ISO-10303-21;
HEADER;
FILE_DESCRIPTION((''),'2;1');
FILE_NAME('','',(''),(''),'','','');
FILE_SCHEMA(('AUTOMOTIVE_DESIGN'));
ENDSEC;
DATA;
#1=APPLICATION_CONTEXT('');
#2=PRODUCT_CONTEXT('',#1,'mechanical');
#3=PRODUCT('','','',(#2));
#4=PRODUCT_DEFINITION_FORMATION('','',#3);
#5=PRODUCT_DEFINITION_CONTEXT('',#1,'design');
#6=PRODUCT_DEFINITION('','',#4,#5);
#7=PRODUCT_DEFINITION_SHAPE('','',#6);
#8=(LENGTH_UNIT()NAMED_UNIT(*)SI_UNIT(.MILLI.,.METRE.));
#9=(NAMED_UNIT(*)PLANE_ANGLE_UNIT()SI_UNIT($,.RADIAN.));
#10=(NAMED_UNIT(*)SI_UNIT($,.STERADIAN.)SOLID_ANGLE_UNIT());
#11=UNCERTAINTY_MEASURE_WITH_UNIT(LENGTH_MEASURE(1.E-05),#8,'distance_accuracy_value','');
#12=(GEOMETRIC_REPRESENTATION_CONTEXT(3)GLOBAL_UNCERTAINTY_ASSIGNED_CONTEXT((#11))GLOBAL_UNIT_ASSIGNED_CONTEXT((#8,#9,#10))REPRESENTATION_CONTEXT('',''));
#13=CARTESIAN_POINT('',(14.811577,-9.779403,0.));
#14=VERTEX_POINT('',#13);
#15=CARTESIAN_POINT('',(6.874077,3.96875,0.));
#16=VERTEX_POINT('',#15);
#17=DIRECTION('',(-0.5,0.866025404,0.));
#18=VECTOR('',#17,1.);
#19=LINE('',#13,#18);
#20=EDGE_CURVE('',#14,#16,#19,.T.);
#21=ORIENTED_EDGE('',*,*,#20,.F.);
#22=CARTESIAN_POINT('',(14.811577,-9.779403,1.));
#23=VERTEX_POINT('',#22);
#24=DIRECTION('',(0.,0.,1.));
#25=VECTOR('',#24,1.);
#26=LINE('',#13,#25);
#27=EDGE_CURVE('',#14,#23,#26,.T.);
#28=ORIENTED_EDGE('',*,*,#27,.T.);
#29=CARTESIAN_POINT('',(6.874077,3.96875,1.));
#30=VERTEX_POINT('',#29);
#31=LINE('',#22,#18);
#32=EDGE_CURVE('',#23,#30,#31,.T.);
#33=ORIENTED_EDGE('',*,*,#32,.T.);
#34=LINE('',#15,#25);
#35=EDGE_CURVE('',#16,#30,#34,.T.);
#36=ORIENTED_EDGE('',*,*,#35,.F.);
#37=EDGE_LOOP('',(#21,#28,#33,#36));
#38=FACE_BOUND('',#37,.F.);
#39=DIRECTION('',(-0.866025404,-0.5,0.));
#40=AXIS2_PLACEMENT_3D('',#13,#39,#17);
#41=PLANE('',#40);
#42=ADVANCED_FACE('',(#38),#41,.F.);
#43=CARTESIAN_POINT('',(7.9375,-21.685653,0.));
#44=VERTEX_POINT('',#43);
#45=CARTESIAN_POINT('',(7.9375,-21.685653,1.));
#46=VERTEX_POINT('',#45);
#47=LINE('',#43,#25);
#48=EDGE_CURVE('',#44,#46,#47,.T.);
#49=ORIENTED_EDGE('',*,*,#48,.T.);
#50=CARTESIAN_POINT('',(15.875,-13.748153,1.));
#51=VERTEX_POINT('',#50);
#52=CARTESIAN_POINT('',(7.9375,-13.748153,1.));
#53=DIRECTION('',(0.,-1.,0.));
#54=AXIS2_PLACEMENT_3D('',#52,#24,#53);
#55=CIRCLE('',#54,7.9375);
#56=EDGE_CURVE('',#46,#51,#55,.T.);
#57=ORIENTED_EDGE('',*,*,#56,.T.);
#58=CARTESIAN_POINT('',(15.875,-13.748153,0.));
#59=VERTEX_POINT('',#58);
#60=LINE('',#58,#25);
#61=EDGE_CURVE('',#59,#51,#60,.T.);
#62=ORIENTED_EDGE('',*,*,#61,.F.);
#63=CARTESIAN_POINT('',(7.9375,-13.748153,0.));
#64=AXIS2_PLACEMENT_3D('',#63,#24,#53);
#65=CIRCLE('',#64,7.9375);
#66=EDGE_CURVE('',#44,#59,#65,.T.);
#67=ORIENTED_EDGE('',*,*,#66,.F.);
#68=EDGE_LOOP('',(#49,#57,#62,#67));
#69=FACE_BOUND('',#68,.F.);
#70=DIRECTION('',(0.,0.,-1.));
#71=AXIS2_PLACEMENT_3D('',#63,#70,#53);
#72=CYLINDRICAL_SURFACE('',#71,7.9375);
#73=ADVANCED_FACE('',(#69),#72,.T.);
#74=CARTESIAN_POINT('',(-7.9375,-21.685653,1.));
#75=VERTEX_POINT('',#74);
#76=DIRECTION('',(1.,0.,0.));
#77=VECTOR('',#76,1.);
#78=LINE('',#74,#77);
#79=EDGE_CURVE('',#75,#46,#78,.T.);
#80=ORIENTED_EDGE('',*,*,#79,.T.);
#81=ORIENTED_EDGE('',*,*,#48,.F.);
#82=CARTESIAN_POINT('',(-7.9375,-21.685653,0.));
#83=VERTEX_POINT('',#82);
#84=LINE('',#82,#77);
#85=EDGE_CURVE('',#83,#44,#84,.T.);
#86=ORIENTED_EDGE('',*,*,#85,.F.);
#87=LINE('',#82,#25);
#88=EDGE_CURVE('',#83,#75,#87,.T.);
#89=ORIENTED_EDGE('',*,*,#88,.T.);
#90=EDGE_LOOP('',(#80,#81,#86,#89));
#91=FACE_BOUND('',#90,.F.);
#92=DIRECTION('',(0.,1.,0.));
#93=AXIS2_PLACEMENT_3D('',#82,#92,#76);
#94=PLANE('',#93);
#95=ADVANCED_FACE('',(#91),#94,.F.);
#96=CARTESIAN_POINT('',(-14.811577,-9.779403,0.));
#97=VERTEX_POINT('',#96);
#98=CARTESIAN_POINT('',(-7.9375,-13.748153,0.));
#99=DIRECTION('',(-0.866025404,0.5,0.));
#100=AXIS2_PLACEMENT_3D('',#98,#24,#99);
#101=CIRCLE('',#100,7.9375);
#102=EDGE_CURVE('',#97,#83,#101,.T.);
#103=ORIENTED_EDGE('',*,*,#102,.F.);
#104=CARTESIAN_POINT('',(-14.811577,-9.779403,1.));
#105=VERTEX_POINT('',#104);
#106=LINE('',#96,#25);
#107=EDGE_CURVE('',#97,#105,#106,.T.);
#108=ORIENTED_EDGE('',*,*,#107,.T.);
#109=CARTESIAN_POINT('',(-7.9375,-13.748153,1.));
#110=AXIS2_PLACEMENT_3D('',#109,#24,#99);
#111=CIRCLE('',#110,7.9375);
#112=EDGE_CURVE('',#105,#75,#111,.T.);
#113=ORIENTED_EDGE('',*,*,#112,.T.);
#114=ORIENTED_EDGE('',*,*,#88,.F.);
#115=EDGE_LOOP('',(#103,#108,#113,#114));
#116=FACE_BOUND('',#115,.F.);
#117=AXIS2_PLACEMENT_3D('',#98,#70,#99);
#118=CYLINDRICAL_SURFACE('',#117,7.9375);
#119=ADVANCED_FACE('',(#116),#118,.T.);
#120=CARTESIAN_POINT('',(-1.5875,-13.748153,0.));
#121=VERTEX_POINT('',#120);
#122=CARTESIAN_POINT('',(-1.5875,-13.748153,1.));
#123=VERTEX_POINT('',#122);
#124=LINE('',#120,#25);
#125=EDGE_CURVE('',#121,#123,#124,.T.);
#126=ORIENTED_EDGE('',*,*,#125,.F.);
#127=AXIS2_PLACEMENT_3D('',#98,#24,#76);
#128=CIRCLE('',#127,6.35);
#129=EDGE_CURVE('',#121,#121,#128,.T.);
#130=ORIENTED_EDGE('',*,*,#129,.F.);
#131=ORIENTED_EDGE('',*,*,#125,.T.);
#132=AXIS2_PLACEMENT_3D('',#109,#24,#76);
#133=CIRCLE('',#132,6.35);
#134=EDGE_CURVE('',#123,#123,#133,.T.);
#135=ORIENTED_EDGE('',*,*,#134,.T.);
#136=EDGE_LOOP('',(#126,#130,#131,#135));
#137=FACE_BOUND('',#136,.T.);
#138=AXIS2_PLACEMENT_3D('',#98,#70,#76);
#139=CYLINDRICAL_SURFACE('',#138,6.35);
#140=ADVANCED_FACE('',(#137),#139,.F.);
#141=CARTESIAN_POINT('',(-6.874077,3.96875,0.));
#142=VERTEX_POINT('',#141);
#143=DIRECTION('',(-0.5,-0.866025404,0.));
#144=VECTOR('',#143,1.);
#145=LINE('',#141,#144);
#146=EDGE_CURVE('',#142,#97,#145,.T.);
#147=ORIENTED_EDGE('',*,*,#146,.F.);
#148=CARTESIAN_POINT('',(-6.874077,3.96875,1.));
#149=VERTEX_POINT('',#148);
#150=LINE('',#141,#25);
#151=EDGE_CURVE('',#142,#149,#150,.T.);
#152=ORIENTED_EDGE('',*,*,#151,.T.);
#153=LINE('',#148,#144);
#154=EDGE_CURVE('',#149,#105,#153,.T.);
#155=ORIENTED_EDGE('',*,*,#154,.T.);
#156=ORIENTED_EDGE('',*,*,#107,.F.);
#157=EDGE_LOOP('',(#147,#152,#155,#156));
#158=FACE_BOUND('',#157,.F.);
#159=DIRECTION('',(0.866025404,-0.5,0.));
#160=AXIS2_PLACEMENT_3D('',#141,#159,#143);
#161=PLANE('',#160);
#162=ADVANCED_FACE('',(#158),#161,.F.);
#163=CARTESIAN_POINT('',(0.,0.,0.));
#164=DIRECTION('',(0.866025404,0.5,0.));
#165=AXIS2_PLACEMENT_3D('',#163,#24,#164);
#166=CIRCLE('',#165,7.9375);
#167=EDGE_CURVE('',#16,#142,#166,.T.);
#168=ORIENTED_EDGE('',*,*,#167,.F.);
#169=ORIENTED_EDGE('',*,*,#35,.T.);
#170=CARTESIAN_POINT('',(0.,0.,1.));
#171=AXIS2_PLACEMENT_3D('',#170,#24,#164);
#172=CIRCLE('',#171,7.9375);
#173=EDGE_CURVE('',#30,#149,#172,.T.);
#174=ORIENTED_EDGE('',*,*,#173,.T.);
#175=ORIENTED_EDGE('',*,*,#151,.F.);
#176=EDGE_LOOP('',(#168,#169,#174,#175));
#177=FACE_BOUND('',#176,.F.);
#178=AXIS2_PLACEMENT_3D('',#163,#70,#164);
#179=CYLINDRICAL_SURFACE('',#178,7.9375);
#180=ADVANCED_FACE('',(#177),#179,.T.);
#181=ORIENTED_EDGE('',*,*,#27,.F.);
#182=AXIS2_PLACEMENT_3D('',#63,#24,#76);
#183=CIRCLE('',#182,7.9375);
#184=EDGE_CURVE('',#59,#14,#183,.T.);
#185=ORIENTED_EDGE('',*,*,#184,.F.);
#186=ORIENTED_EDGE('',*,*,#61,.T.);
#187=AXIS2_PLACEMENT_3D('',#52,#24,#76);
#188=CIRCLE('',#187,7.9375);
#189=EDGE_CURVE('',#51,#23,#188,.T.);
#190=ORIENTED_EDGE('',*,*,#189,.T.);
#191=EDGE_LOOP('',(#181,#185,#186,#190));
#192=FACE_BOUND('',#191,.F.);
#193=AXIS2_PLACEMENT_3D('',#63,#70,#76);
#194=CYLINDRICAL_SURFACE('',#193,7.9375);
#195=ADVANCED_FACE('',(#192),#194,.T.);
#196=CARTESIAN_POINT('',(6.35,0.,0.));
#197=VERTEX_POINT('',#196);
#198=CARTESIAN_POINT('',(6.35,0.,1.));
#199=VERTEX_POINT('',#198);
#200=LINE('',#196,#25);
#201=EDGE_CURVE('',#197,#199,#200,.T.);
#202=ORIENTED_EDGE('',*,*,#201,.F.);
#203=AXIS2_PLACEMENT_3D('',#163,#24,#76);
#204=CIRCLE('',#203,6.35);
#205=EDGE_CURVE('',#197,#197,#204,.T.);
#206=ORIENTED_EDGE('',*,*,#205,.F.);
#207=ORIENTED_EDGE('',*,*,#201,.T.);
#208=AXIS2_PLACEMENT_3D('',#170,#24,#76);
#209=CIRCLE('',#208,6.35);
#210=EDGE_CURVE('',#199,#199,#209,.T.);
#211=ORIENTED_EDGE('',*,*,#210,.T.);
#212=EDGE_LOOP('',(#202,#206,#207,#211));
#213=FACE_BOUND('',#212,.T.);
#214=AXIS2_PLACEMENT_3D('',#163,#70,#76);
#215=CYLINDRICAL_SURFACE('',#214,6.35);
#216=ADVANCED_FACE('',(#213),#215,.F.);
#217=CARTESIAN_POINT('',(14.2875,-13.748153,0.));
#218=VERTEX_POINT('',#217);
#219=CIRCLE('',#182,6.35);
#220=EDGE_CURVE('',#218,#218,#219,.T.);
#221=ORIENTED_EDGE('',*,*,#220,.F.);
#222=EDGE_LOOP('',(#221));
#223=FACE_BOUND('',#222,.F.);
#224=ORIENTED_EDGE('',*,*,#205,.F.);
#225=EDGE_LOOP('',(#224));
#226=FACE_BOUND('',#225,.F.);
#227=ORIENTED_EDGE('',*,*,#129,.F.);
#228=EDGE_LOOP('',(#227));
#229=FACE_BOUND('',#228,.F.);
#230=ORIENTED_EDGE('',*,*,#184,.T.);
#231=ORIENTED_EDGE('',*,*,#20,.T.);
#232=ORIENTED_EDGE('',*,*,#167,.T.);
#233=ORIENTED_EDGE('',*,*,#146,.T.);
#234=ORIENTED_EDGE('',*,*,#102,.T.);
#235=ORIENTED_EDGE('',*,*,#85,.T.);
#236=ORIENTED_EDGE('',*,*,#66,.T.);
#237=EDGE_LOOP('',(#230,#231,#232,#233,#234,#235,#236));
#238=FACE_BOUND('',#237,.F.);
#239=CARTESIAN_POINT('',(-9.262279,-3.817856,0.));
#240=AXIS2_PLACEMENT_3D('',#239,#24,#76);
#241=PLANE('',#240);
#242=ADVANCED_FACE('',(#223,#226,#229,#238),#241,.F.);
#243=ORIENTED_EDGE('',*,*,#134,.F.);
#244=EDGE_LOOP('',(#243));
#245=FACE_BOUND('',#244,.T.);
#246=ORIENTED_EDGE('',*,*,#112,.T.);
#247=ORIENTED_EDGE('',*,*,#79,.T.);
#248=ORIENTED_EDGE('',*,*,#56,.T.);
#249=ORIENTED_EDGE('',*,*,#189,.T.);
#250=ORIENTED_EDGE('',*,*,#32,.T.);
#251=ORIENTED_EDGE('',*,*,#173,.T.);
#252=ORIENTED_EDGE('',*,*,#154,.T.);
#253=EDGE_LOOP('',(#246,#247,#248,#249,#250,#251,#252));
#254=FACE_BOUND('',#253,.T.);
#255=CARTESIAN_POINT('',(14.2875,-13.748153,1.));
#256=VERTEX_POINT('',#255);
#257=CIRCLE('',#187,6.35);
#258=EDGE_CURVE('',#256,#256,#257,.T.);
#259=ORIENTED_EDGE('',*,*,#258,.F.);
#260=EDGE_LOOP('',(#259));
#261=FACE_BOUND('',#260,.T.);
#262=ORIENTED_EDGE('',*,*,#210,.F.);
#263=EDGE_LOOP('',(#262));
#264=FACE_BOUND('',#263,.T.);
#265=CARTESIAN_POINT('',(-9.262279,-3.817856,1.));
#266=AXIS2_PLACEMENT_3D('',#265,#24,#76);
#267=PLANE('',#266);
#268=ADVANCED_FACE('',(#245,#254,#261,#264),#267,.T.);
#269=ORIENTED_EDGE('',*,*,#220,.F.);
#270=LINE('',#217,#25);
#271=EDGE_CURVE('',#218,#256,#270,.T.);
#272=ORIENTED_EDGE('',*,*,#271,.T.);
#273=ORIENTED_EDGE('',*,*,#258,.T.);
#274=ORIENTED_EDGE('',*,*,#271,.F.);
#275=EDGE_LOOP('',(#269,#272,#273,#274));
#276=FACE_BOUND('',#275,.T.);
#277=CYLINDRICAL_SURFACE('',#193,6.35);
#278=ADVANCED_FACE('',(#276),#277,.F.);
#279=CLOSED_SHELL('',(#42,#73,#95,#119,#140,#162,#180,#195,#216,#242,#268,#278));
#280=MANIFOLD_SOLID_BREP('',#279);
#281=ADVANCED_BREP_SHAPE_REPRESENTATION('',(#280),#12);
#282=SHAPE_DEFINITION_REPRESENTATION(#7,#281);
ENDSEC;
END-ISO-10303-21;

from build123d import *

# Parameters (mm, degrees)
F0_R     = 6.35
F1_DEPTH = 1


with BuildPart() as f1:
    # F0 (on Top) → F1 (new body)
    with BuildSketch(Plane.XY):
        with BuildLine():
            ThreePointArc((-3.9687500424, -6.8740766181), (-7.6670362525, -2.0543761469), (-6.8740766425, 3.96875))
            Line((-6.8740766425, 3.96875), (-14.8115766425, -9.7794032851))
            ThreePointArc((-14.8115766425, -9.7794032851), (-9.9918761941, -6.0811170452), (-3.9687500424, -6.8740766181))
        make_face()
        with BuildLine():
            ThreePointArc((0, -13.7481532851), (-1.0634233697, -9.7794032639), (-3.9687500424, -6.8740766181))
            ThreePointArc((-3.9687500424, -6.8740766181), (-9.9918761941, -6.0811170452), (-14.8115766425, -9.7794032851))
            ThreePointArc((-14.8115766425, -9.7794032851), (-14.8115766425, -17.7169032851), (-7.9375, -21.6856532851))
            ThreePointArc((-7.9375, -21.6856532851), (-2.3248399243, -19.3608133607), (0, -13.7481532851))
        make_face()
        with Locations((-7.9375, -13.7481532851)):
            Circle(F0_R, mode=Mode.SUBTRACT)
        with BuildLine():
            ThreePointArc((7.9375, -21.6856532851), (2.3248399243, -19.3608133607), (0, -13.7481532851))
            ThreePointArc((0, -13.7481532851), (-2.3248399243, -19.3608133607), (-7.9375, -21.6856532851))
            Line((-7.9375, -21.6856532851), (7.9375, -21.6856532851))
        make_face()
        with BuildLine():
            ThreePointArc((14.8115766425, -9.7794032851), (9.9918761512, -6.0811170337), (3.9687499653, -6.8740766625))
            ThreePointArc((3.9687499653, -6.8740766625), (1.0634233475, -9.7794033024), (0, -13.7481532851))
            ThreePointArc((0, -13.7481532851), (2.3248399243, -19.3608133607), (7.9375, -21.6856532851))
            ThreePointArc((7.9375, -21.6856532851), (13.5501600757, -19.3608133607), (15.875, -13.7481532851))
            ThreePointArc((15.875, -13.7481532851), (15.6045362462, -11.6937771146), (14.8115766425, -9.7794032851))
        make_face()
        with Locations((7.9375, -13.7481532851)):
            Circle(F0_R, mode=Mode.SUBTRACT)
        with BuildLine():
            ThreePointArc((6.8740766425, 3.96875), (7.6670362462, 2.0543761705), (7.9375, 0))
            ThreePointArc((7.9375, 0), (6.8740766325, -3.9687500173), (3.9687499653, -6.8740766625))
            ThreePointArc((3.9687499653, -6.8740766625), (9.9918761512, -6.0811170337), (14.8115766425, -9.7794032851))
            Line((14.8115766425, -9.7794032851), (6.8740766425, 3.96875))
        make_face()
        with BuildLine():
            ThreePointArc((0, -13.7481532851), (1.0634233475, -9.7794033024), (3.9687499653, -6.8740766625))
            ThreePointArc((3.9687499653, -6.8740766625), (-4.45e-08, -7.9375), (-3.9687500424, -6.8740766181))
            ThreePointArc((-3.9687500424, -6.8740766181), (-1.0634233697, -9.7794032639), (0, -13.7481532851))
        make_face()
        with BuildLine():
            ThreePointArc((3.9687499653, -6.8740766625), (6.8740766325, -3.9687500173), (7.9375, 0))
            ThreePointArc((7.9375, 0), (7.6670362462, 2.0543761705), (6.8740766425, 3.96875))
            ThreePointArc((6.8740766425, 3.96875), (0, 7.9375), (-6.8740766425, 3.96875))
            ThreePointArc((-6.8740766425, 3.96875), (-7.6670362525, -2.0543761469), (-3.9687500424, -6.8740766181))
            ThreePointArc((-3.9687500424, -6.8740766181), (-4.45e-08, -7.9375), (3.9687499653, -6.8740766625))
        make_face()
        Circle(F0_R, mode=Mode.SUBTRACT)
    extrude(amount=F1_DEPTH)


solid = f1.part
